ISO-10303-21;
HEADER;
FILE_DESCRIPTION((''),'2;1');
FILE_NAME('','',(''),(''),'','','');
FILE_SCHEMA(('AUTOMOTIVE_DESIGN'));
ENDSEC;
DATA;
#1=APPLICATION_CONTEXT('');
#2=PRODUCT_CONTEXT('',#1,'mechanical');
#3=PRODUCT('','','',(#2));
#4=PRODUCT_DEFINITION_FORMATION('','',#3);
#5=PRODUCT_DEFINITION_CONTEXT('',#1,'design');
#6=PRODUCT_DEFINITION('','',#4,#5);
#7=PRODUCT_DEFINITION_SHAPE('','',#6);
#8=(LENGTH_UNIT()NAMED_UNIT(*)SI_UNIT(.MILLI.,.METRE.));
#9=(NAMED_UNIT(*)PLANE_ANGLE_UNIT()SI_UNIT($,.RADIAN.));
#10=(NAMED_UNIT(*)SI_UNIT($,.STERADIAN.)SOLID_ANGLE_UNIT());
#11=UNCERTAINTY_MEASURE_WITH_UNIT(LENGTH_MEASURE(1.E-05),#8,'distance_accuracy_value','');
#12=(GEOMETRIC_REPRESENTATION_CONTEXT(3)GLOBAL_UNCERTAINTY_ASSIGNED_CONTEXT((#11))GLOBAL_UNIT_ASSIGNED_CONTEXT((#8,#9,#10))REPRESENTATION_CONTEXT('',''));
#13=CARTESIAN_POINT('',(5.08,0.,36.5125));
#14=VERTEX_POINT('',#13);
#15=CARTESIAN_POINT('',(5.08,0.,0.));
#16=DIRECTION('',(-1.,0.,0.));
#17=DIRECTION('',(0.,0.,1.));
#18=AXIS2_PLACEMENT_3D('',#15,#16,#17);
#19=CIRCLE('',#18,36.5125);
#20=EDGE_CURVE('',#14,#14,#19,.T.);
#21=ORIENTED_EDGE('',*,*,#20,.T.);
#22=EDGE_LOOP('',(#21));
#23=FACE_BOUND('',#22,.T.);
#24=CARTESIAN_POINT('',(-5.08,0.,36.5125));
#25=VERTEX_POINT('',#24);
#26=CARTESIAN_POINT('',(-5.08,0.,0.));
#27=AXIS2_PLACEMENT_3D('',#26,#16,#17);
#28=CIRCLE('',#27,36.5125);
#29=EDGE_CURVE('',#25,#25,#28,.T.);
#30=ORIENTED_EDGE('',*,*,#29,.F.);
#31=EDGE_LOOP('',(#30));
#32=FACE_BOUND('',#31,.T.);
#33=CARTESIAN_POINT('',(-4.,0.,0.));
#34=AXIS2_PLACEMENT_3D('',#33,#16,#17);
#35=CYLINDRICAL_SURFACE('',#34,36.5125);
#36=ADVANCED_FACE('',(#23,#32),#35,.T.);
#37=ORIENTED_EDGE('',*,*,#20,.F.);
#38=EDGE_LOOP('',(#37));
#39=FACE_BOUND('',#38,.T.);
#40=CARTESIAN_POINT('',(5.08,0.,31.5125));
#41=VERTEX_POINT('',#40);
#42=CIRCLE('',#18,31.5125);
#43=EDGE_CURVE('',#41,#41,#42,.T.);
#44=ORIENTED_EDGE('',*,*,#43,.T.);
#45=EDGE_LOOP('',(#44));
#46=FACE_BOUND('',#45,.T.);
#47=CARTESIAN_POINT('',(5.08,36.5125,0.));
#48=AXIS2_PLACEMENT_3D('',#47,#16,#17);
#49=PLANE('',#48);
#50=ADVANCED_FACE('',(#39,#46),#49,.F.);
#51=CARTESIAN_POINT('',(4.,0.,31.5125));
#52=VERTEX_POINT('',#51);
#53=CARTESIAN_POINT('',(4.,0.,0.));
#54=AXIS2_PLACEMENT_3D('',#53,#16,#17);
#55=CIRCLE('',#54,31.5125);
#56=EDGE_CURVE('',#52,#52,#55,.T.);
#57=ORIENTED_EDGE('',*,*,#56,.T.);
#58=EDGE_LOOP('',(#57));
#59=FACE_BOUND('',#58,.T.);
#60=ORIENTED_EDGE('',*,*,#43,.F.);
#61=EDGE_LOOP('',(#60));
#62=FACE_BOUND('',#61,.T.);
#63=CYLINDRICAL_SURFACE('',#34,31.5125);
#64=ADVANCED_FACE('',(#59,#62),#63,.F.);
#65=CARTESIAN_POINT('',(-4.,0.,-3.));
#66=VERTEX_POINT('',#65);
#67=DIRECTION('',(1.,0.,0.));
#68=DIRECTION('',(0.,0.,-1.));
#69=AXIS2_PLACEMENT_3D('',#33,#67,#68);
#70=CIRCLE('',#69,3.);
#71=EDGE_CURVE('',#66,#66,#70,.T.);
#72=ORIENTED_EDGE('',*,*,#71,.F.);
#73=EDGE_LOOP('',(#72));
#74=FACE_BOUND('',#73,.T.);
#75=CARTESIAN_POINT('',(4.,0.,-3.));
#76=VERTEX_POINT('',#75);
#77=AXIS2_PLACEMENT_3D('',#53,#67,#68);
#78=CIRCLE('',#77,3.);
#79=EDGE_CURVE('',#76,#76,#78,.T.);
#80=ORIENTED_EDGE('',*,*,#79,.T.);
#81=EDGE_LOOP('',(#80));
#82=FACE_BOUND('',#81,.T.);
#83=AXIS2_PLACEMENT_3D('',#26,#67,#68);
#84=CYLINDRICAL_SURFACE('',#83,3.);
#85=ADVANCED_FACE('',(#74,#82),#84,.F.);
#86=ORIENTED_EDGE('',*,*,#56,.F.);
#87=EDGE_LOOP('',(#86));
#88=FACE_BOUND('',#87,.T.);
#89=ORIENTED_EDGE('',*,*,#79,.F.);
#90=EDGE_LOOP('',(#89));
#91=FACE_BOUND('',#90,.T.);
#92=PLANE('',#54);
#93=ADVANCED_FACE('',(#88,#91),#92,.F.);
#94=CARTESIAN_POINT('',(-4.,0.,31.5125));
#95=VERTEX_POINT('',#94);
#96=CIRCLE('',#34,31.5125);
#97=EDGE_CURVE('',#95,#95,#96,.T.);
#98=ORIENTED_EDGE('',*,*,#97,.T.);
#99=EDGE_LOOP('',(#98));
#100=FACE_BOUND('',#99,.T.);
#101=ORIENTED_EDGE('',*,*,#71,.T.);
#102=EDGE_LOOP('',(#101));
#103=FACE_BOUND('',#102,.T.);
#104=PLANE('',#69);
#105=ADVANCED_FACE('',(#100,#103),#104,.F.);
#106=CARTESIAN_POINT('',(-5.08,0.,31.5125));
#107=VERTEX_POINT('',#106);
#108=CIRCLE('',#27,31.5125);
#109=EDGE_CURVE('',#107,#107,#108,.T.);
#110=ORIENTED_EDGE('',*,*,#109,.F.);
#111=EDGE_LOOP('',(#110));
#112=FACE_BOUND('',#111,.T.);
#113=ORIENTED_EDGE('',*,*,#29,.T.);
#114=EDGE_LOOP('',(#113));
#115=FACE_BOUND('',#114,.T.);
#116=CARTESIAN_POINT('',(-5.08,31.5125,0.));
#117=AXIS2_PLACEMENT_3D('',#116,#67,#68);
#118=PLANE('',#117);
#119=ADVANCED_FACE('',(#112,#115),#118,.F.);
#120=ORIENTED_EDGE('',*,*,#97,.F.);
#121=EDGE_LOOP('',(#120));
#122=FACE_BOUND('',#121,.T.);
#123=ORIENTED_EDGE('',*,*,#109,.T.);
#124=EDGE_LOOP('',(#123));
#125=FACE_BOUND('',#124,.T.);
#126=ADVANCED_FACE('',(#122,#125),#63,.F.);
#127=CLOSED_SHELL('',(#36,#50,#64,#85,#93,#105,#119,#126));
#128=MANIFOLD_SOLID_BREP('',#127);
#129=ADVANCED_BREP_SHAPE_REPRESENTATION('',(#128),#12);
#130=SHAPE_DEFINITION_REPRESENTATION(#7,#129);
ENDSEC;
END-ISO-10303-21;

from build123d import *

# Parameters (mm, degrees)
ESQUISSE2_R             = 3
ENL_V_MAT_EXTRU_2_DEPTH = 53.428729839


with BuildPart() as part:
    # Esquisse1 → Révolution1 (revolve)
    with BuildSketch(Plane.XY, mode=Mode.PRIVATE) as r_volution1_sk:
        Polygon((-4, 31.5125), (-5.08, 31.5125), (-5.08, 36.5125), (5.08, 36.5125), (5.08, 31.5125), (4, 31.5125), (4, 0), (-4, 0), align=None)
    revolve(r_volution1_sk.sketch.rotate(Axis((-4, 0, 0), (1, 0, 0)), 90), axis=Axis((-4, 0, 0), (1, 0, 0)))

    # Esquisse2 → Enlèv. mat.-Extru.2 (cut, through all)
    with BuildSketch(Plane(origin=(4, 0, 0), x_dir=(0, 0, -1), z_dir=(1, 0, 0))):
        Circle(ESQUISSE2_R)
    extrude(amount=-ENL_V_MAT_EXTRU_2_DEPTH, mode=Mode.SUBTRACT)


solid = part.part
